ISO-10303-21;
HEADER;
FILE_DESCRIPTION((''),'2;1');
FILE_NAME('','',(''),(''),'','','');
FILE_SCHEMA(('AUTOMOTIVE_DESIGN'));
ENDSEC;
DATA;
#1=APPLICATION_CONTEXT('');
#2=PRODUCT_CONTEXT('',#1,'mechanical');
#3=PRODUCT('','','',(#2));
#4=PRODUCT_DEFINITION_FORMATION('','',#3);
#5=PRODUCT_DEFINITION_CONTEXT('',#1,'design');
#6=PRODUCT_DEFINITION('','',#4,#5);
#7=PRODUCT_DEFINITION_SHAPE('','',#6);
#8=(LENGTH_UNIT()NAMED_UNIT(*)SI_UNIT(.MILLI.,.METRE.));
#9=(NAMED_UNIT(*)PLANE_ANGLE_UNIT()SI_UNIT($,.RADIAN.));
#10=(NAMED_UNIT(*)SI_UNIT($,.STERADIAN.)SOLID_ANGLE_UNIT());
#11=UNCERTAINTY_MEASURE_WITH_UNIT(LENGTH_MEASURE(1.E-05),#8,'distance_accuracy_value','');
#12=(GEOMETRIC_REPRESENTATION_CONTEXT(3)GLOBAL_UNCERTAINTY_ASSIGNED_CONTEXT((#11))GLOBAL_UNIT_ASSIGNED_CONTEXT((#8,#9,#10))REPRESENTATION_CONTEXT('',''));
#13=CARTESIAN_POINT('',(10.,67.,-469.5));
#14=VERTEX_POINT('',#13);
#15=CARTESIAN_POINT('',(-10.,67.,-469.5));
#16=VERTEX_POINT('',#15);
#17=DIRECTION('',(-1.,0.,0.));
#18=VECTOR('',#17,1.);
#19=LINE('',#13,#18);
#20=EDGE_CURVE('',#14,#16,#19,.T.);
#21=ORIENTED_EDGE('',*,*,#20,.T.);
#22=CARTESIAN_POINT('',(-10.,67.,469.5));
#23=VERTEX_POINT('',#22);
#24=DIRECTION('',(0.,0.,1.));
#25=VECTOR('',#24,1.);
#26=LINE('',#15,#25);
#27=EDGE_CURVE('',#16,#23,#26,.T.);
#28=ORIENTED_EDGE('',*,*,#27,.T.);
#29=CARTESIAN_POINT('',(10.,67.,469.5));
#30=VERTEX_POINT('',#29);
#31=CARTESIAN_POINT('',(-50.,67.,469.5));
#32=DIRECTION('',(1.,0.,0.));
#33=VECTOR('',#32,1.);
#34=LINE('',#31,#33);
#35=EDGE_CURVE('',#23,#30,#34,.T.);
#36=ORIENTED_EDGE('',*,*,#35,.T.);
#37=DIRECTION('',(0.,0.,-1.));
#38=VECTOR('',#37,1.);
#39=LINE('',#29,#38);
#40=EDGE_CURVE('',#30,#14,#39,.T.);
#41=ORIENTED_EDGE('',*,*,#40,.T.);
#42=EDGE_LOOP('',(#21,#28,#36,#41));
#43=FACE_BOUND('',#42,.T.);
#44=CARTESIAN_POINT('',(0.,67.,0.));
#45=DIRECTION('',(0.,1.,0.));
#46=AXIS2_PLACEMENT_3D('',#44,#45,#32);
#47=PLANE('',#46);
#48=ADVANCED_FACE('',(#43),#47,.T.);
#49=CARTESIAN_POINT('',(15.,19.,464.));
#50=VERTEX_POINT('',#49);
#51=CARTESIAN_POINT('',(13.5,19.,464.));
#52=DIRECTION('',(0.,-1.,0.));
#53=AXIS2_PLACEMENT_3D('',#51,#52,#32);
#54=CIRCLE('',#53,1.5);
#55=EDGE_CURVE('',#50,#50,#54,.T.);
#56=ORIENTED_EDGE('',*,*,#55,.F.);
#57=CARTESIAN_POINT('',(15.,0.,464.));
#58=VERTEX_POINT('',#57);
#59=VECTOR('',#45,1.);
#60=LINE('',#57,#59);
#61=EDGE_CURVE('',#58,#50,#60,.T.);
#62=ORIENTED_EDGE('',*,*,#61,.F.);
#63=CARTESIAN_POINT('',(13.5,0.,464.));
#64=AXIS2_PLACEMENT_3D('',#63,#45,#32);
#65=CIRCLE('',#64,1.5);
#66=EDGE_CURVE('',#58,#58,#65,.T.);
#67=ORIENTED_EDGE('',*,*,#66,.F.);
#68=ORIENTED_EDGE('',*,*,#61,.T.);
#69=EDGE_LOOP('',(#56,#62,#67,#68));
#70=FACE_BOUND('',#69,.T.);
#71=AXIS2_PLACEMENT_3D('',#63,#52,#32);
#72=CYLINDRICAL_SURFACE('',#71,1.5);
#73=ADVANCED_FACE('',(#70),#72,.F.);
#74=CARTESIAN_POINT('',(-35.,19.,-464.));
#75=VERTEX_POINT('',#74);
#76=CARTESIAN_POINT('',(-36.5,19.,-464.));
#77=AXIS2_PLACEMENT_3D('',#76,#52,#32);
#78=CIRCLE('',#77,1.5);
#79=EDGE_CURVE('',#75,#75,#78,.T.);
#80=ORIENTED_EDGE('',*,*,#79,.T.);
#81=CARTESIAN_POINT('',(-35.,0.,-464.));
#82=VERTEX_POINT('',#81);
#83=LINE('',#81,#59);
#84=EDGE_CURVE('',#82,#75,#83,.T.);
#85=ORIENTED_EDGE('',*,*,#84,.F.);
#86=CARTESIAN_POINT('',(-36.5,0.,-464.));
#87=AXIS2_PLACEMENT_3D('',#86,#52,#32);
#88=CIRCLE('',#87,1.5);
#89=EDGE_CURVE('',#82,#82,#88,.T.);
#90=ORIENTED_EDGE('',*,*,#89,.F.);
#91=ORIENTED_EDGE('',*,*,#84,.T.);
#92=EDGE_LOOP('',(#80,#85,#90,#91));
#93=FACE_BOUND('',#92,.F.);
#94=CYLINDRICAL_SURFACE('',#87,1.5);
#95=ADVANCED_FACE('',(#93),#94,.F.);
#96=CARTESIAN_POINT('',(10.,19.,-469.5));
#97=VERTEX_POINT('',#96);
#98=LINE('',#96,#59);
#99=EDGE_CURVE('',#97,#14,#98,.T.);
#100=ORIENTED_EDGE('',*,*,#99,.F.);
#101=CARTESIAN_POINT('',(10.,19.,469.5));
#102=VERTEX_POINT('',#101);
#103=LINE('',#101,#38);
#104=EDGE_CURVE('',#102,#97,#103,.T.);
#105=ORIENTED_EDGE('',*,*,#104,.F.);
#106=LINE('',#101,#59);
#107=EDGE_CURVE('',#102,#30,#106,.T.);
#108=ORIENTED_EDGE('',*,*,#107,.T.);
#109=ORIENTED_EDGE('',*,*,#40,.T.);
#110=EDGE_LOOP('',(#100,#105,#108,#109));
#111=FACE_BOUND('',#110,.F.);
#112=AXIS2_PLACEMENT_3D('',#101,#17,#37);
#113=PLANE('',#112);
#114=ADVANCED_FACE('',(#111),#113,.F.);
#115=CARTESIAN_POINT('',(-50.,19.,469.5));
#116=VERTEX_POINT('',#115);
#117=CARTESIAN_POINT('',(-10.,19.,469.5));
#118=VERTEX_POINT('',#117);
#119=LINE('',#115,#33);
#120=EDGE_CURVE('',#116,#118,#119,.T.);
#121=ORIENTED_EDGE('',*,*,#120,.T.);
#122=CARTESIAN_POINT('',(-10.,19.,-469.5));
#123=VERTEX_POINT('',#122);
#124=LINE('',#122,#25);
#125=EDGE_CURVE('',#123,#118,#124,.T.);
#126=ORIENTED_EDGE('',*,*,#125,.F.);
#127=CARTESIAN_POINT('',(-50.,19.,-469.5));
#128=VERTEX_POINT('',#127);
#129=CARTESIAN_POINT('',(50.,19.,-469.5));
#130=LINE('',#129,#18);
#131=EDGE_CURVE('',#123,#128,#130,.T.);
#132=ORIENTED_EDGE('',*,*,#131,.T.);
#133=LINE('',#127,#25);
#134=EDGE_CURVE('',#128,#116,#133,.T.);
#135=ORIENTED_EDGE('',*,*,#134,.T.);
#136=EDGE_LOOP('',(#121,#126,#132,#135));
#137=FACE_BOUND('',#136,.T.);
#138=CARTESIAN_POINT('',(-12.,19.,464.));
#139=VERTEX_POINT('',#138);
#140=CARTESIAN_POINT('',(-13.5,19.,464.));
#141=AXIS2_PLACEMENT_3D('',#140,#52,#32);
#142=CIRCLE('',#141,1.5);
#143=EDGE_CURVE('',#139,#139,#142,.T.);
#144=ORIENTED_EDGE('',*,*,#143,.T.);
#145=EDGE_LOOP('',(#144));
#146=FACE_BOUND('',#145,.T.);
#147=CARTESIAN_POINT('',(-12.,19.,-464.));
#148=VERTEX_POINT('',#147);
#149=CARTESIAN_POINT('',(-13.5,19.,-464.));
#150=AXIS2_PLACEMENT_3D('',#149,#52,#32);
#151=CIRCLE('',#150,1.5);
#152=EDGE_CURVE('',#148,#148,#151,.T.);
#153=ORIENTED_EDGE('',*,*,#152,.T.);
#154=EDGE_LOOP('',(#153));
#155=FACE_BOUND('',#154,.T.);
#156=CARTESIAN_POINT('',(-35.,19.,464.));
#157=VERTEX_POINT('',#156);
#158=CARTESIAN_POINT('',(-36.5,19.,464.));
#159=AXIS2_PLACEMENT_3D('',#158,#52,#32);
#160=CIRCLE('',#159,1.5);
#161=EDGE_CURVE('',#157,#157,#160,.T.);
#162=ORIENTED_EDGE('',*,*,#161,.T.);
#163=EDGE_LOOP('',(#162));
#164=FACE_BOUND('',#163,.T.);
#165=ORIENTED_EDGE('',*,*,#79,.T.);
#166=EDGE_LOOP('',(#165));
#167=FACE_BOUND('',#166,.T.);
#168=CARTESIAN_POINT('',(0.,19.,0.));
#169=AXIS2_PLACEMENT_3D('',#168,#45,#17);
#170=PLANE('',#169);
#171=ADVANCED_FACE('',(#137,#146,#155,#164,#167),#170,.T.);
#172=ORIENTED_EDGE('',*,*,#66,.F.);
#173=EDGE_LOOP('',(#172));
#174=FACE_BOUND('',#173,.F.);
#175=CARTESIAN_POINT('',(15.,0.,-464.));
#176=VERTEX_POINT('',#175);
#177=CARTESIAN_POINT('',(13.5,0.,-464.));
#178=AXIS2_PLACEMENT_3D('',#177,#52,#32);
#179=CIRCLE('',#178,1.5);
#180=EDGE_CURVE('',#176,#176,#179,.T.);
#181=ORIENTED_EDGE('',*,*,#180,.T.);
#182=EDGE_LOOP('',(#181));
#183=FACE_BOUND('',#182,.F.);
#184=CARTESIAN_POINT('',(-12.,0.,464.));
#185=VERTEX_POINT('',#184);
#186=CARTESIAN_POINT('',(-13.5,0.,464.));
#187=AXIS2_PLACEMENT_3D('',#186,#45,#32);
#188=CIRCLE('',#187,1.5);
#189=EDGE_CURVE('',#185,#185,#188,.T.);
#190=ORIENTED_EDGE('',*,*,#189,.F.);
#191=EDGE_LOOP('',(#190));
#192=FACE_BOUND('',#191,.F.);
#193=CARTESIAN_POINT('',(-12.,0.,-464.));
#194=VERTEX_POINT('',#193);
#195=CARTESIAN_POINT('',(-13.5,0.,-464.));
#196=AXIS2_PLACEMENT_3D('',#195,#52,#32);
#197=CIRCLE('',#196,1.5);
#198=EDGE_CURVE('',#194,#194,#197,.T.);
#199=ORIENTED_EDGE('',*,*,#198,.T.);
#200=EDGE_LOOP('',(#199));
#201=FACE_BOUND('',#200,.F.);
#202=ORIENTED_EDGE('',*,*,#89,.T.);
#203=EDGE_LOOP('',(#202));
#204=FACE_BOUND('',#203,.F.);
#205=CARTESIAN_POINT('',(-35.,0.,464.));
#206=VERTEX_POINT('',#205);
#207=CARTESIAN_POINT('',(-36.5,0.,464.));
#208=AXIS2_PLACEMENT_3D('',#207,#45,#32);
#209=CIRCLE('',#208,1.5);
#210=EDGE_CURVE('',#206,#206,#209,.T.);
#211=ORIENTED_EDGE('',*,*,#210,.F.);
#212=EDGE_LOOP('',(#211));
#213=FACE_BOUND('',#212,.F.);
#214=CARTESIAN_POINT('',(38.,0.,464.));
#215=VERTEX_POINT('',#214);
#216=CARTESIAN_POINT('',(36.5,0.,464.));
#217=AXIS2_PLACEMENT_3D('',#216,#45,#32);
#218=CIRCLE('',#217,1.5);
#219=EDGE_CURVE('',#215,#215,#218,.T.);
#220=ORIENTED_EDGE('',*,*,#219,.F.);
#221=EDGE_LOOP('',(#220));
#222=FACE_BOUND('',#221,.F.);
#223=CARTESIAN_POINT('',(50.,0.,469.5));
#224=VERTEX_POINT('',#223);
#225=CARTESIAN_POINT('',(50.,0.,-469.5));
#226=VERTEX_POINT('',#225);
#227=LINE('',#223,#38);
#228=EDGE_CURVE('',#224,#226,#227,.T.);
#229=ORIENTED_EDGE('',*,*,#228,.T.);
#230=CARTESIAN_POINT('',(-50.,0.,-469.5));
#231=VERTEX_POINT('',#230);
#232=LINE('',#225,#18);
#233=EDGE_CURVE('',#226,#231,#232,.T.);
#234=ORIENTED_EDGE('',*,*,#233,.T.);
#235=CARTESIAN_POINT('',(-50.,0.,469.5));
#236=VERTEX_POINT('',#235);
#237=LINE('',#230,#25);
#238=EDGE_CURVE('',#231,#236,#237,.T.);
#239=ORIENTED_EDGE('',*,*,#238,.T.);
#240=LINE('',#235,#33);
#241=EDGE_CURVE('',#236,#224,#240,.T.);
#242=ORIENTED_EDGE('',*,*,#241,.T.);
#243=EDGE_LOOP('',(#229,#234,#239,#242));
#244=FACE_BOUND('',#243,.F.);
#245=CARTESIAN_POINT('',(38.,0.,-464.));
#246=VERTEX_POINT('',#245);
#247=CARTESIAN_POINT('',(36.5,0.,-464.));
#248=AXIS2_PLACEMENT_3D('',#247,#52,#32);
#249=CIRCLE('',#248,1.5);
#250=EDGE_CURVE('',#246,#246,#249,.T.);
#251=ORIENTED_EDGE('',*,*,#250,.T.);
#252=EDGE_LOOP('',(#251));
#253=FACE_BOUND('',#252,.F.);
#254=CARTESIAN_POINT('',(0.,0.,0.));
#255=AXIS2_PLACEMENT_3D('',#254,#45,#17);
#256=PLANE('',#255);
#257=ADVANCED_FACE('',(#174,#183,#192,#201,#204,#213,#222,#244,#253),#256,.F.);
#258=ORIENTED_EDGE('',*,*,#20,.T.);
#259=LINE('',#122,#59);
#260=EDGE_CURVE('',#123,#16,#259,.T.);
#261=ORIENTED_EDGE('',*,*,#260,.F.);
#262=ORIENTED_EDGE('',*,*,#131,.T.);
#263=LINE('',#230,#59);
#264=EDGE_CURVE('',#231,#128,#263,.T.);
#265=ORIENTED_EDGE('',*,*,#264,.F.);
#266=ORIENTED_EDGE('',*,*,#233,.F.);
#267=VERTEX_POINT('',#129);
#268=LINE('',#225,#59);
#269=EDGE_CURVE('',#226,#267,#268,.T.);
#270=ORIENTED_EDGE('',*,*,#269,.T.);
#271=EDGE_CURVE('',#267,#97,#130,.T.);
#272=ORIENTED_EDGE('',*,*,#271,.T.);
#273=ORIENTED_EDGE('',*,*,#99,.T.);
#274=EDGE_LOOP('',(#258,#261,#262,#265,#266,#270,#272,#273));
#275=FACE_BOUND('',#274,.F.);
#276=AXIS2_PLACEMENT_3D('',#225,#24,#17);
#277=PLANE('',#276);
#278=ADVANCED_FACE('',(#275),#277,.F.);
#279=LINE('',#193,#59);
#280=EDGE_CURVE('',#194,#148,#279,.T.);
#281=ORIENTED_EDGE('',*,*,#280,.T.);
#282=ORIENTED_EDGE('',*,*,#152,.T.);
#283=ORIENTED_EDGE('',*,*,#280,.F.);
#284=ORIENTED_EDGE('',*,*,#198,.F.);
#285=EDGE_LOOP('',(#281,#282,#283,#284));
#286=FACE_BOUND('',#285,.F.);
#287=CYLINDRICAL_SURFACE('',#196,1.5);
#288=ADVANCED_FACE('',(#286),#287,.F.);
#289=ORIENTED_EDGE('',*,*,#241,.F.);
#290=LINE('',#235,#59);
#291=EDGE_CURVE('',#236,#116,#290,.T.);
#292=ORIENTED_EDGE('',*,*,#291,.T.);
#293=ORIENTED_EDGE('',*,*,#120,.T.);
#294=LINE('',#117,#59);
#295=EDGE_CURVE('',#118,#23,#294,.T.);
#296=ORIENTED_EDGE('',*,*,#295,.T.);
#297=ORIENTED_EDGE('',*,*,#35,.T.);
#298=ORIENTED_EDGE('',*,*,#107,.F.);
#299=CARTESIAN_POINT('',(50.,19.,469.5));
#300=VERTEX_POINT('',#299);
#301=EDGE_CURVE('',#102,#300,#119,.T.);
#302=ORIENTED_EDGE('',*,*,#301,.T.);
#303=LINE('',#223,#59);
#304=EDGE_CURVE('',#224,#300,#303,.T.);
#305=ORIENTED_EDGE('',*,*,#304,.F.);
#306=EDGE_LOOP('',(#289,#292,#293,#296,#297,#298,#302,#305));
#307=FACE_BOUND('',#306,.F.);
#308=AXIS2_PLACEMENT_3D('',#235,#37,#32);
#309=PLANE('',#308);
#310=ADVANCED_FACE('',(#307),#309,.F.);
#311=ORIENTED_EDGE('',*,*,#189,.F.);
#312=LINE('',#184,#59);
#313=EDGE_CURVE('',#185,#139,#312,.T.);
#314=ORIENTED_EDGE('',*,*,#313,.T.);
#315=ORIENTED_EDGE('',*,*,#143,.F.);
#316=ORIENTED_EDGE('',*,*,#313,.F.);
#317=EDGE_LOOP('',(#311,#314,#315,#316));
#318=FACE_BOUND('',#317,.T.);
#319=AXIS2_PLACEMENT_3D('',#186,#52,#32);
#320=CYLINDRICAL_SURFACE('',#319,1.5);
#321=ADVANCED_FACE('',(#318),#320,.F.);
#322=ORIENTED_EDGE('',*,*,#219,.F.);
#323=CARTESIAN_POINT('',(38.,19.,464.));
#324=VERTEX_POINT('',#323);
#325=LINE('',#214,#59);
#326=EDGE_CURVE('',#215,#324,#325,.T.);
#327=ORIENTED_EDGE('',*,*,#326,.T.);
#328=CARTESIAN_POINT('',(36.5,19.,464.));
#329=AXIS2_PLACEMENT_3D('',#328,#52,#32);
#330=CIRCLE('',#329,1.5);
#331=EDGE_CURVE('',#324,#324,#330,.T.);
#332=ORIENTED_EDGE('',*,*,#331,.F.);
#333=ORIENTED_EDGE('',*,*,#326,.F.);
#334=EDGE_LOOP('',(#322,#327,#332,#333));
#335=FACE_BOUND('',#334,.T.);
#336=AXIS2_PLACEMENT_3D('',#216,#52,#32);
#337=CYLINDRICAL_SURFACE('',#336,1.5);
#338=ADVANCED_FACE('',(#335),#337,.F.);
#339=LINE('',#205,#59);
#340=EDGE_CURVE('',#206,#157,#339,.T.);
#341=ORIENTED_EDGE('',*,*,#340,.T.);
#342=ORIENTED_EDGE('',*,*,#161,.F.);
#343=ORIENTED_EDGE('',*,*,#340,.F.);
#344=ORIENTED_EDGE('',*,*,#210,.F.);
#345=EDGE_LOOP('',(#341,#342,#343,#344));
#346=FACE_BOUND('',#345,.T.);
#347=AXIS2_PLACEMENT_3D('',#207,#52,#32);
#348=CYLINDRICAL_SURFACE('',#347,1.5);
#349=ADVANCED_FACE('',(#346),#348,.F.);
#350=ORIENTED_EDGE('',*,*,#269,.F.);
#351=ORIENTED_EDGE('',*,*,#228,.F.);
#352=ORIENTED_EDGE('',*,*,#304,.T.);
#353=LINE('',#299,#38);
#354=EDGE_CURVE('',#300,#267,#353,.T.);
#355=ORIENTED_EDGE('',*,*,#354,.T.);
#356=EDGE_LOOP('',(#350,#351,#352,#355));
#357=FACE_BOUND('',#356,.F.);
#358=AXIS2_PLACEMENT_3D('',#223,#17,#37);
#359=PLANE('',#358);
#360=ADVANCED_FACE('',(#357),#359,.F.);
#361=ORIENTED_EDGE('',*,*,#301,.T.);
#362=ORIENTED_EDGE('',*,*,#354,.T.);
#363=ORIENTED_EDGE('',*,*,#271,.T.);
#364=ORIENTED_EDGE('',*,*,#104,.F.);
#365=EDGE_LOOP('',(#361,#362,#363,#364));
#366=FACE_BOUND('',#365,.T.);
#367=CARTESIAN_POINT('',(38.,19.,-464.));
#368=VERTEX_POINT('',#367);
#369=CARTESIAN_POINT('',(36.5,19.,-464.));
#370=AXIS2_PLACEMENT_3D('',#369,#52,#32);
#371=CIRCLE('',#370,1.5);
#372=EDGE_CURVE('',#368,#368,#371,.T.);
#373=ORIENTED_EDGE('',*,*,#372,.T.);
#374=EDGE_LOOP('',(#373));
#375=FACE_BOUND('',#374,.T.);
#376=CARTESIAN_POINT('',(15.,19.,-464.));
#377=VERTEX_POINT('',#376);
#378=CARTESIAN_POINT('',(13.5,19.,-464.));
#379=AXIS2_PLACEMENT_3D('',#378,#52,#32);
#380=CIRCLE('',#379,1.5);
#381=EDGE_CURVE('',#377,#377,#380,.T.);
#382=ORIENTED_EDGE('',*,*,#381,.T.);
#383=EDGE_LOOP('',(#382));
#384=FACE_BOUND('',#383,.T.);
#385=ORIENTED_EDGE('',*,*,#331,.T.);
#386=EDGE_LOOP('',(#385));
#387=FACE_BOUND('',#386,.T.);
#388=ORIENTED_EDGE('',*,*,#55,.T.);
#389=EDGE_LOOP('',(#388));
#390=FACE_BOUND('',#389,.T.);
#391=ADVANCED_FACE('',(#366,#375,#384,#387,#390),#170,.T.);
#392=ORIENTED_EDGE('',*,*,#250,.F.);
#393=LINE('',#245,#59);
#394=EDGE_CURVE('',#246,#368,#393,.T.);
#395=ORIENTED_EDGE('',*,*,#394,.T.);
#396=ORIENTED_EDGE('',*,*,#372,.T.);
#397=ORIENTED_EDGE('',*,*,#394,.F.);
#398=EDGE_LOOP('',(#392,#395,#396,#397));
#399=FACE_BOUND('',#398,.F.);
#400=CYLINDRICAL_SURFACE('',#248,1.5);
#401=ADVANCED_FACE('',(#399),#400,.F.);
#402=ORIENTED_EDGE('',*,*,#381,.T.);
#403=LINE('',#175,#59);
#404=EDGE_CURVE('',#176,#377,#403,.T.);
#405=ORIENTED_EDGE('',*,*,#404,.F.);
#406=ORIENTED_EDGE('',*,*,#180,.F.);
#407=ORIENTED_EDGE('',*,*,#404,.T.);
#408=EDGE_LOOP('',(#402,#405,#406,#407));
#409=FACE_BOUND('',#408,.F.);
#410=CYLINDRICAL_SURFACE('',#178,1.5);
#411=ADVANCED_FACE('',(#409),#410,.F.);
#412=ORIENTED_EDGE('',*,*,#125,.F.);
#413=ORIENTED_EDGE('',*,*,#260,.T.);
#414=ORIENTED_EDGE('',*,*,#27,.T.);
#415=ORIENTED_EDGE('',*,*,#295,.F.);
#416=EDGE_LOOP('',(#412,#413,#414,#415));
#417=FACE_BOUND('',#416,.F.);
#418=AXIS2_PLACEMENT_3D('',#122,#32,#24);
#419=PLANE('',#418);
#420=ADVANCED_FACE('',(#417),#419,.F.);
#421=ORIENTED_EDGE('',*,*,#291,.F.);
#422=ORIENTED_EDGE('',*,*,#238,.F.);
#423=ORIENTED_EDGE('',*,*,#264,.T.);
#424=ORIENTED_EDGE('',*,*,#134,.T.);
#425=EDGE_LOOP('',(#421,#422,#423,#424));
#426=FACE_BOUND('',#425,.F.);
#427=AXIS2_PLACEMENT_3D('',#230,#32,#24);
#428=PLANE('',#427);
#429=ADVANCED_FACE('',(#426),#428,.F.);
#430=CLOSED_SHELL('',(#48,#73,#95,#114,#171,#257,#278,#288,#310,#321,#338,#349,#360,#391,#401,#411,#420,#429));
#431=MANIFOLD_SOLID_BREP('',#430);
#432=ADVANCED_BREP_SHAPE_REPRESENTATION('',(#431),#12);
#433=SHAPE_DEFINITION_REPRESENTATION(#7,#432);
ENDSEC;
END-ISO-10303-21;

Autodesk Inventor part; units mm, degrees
ref_plane "YZ Plane" through (0, 0, 0) normal (1, 0, 0) x (0, 1, 0)
ref_plane "XZ Plane" through (0, 0, 0) normal (0, 1, 0) x (-1, 0, 0)
ref_plane "XY Plane" through (0, 0, 0) normal (0, 0, 1) x (1, 0, 0)
sketch "Boceto1" plane through (0, 0, 0) normal (0, 1, 0) x (-1, 0, 0)
  line L0 (50, 469.5) -> (-50, 469.5)
  line L1 (-50, 469.5) -> (-50, -469.5)
  line L2 (-50, -469.5) -> (50, -469.5)
  line L3 (50, -469.5) -> (50, 469.5)
  line L4 (0, 469.5) -> (0, 0) construction
  line L5 (0, 0) -> (-50, 0) construction
  dimension "d0" = 100
  dimension "d1" = 939
extrude "Extrusión1" add sketch "Boceto1" along normal blind 19
sketch "Boceto2" plane through (0, 19, 0) normal (0, 1, 0) x (1, 0, 0)
  line L0 (-50, -469.5) -> (50, -469.5) projected
  line L1 (-10, -469.5) -> (10, -469.5)
  line L2 (10, -469.5) -> (10, 469.5)
  line L3 (10, 469.5) -> (-10, 469.5)
  line L4 (-10, 469.5) -> (-10, -469.5)
  line L5 (50, 469.5) -> (-50, 469.5) projected
  point P0 (0, 0)
  point P1 (0, -469.5)
  dimension "d4" = 20
extrude "Extrusión2" add sketch "Boceto2" along normal blind 48
sketch "Boceto3" plane through (0, 0, 0) normal (0, -1, 0) x (1, 0, 0)
  line L0 (50, 469.5) -> (50, -469.5) projected
  line L1 (50, -464) -> (-50, -464) construction
  line L2 (-50, -469.5) -> (-50, 469.5) projected
  circle A0 centre (36.5, -464) radius 1.5
  circle A1 centre (13.5, -464) radius 1.5
  line L3 (50, -469.5) -> (-50, -469.5) projected
  line L4 (50, -464) -> (0, -464) construction
  line L5 (25, -464) -> (25, -433.7226) construction
  line L6 (0, -464) -> (0, -462.9029) construction
  circle A2 centre (-36.5, -464) radius 1.5
  circle A3 centre (-13.5, -464) radius 1.5
  point P0 (0, 0)
  dimension "d7" = 3
  dimension "d8" = 5.5
  dimension "d9" = 23
extrude "Extrusión3" cut sketch "Boceto3" against normal through all
ref_plane "Plano de trabajo1" through (50, 0, 0) normal (0, 0, -1) x (-1, 0, 0)
mirror "Simetría1" about plane through (50, 0, 0) normal (0, 0, -1) of "Extrusión3"
properties part number "Madera" material "Madera (abedul)"
